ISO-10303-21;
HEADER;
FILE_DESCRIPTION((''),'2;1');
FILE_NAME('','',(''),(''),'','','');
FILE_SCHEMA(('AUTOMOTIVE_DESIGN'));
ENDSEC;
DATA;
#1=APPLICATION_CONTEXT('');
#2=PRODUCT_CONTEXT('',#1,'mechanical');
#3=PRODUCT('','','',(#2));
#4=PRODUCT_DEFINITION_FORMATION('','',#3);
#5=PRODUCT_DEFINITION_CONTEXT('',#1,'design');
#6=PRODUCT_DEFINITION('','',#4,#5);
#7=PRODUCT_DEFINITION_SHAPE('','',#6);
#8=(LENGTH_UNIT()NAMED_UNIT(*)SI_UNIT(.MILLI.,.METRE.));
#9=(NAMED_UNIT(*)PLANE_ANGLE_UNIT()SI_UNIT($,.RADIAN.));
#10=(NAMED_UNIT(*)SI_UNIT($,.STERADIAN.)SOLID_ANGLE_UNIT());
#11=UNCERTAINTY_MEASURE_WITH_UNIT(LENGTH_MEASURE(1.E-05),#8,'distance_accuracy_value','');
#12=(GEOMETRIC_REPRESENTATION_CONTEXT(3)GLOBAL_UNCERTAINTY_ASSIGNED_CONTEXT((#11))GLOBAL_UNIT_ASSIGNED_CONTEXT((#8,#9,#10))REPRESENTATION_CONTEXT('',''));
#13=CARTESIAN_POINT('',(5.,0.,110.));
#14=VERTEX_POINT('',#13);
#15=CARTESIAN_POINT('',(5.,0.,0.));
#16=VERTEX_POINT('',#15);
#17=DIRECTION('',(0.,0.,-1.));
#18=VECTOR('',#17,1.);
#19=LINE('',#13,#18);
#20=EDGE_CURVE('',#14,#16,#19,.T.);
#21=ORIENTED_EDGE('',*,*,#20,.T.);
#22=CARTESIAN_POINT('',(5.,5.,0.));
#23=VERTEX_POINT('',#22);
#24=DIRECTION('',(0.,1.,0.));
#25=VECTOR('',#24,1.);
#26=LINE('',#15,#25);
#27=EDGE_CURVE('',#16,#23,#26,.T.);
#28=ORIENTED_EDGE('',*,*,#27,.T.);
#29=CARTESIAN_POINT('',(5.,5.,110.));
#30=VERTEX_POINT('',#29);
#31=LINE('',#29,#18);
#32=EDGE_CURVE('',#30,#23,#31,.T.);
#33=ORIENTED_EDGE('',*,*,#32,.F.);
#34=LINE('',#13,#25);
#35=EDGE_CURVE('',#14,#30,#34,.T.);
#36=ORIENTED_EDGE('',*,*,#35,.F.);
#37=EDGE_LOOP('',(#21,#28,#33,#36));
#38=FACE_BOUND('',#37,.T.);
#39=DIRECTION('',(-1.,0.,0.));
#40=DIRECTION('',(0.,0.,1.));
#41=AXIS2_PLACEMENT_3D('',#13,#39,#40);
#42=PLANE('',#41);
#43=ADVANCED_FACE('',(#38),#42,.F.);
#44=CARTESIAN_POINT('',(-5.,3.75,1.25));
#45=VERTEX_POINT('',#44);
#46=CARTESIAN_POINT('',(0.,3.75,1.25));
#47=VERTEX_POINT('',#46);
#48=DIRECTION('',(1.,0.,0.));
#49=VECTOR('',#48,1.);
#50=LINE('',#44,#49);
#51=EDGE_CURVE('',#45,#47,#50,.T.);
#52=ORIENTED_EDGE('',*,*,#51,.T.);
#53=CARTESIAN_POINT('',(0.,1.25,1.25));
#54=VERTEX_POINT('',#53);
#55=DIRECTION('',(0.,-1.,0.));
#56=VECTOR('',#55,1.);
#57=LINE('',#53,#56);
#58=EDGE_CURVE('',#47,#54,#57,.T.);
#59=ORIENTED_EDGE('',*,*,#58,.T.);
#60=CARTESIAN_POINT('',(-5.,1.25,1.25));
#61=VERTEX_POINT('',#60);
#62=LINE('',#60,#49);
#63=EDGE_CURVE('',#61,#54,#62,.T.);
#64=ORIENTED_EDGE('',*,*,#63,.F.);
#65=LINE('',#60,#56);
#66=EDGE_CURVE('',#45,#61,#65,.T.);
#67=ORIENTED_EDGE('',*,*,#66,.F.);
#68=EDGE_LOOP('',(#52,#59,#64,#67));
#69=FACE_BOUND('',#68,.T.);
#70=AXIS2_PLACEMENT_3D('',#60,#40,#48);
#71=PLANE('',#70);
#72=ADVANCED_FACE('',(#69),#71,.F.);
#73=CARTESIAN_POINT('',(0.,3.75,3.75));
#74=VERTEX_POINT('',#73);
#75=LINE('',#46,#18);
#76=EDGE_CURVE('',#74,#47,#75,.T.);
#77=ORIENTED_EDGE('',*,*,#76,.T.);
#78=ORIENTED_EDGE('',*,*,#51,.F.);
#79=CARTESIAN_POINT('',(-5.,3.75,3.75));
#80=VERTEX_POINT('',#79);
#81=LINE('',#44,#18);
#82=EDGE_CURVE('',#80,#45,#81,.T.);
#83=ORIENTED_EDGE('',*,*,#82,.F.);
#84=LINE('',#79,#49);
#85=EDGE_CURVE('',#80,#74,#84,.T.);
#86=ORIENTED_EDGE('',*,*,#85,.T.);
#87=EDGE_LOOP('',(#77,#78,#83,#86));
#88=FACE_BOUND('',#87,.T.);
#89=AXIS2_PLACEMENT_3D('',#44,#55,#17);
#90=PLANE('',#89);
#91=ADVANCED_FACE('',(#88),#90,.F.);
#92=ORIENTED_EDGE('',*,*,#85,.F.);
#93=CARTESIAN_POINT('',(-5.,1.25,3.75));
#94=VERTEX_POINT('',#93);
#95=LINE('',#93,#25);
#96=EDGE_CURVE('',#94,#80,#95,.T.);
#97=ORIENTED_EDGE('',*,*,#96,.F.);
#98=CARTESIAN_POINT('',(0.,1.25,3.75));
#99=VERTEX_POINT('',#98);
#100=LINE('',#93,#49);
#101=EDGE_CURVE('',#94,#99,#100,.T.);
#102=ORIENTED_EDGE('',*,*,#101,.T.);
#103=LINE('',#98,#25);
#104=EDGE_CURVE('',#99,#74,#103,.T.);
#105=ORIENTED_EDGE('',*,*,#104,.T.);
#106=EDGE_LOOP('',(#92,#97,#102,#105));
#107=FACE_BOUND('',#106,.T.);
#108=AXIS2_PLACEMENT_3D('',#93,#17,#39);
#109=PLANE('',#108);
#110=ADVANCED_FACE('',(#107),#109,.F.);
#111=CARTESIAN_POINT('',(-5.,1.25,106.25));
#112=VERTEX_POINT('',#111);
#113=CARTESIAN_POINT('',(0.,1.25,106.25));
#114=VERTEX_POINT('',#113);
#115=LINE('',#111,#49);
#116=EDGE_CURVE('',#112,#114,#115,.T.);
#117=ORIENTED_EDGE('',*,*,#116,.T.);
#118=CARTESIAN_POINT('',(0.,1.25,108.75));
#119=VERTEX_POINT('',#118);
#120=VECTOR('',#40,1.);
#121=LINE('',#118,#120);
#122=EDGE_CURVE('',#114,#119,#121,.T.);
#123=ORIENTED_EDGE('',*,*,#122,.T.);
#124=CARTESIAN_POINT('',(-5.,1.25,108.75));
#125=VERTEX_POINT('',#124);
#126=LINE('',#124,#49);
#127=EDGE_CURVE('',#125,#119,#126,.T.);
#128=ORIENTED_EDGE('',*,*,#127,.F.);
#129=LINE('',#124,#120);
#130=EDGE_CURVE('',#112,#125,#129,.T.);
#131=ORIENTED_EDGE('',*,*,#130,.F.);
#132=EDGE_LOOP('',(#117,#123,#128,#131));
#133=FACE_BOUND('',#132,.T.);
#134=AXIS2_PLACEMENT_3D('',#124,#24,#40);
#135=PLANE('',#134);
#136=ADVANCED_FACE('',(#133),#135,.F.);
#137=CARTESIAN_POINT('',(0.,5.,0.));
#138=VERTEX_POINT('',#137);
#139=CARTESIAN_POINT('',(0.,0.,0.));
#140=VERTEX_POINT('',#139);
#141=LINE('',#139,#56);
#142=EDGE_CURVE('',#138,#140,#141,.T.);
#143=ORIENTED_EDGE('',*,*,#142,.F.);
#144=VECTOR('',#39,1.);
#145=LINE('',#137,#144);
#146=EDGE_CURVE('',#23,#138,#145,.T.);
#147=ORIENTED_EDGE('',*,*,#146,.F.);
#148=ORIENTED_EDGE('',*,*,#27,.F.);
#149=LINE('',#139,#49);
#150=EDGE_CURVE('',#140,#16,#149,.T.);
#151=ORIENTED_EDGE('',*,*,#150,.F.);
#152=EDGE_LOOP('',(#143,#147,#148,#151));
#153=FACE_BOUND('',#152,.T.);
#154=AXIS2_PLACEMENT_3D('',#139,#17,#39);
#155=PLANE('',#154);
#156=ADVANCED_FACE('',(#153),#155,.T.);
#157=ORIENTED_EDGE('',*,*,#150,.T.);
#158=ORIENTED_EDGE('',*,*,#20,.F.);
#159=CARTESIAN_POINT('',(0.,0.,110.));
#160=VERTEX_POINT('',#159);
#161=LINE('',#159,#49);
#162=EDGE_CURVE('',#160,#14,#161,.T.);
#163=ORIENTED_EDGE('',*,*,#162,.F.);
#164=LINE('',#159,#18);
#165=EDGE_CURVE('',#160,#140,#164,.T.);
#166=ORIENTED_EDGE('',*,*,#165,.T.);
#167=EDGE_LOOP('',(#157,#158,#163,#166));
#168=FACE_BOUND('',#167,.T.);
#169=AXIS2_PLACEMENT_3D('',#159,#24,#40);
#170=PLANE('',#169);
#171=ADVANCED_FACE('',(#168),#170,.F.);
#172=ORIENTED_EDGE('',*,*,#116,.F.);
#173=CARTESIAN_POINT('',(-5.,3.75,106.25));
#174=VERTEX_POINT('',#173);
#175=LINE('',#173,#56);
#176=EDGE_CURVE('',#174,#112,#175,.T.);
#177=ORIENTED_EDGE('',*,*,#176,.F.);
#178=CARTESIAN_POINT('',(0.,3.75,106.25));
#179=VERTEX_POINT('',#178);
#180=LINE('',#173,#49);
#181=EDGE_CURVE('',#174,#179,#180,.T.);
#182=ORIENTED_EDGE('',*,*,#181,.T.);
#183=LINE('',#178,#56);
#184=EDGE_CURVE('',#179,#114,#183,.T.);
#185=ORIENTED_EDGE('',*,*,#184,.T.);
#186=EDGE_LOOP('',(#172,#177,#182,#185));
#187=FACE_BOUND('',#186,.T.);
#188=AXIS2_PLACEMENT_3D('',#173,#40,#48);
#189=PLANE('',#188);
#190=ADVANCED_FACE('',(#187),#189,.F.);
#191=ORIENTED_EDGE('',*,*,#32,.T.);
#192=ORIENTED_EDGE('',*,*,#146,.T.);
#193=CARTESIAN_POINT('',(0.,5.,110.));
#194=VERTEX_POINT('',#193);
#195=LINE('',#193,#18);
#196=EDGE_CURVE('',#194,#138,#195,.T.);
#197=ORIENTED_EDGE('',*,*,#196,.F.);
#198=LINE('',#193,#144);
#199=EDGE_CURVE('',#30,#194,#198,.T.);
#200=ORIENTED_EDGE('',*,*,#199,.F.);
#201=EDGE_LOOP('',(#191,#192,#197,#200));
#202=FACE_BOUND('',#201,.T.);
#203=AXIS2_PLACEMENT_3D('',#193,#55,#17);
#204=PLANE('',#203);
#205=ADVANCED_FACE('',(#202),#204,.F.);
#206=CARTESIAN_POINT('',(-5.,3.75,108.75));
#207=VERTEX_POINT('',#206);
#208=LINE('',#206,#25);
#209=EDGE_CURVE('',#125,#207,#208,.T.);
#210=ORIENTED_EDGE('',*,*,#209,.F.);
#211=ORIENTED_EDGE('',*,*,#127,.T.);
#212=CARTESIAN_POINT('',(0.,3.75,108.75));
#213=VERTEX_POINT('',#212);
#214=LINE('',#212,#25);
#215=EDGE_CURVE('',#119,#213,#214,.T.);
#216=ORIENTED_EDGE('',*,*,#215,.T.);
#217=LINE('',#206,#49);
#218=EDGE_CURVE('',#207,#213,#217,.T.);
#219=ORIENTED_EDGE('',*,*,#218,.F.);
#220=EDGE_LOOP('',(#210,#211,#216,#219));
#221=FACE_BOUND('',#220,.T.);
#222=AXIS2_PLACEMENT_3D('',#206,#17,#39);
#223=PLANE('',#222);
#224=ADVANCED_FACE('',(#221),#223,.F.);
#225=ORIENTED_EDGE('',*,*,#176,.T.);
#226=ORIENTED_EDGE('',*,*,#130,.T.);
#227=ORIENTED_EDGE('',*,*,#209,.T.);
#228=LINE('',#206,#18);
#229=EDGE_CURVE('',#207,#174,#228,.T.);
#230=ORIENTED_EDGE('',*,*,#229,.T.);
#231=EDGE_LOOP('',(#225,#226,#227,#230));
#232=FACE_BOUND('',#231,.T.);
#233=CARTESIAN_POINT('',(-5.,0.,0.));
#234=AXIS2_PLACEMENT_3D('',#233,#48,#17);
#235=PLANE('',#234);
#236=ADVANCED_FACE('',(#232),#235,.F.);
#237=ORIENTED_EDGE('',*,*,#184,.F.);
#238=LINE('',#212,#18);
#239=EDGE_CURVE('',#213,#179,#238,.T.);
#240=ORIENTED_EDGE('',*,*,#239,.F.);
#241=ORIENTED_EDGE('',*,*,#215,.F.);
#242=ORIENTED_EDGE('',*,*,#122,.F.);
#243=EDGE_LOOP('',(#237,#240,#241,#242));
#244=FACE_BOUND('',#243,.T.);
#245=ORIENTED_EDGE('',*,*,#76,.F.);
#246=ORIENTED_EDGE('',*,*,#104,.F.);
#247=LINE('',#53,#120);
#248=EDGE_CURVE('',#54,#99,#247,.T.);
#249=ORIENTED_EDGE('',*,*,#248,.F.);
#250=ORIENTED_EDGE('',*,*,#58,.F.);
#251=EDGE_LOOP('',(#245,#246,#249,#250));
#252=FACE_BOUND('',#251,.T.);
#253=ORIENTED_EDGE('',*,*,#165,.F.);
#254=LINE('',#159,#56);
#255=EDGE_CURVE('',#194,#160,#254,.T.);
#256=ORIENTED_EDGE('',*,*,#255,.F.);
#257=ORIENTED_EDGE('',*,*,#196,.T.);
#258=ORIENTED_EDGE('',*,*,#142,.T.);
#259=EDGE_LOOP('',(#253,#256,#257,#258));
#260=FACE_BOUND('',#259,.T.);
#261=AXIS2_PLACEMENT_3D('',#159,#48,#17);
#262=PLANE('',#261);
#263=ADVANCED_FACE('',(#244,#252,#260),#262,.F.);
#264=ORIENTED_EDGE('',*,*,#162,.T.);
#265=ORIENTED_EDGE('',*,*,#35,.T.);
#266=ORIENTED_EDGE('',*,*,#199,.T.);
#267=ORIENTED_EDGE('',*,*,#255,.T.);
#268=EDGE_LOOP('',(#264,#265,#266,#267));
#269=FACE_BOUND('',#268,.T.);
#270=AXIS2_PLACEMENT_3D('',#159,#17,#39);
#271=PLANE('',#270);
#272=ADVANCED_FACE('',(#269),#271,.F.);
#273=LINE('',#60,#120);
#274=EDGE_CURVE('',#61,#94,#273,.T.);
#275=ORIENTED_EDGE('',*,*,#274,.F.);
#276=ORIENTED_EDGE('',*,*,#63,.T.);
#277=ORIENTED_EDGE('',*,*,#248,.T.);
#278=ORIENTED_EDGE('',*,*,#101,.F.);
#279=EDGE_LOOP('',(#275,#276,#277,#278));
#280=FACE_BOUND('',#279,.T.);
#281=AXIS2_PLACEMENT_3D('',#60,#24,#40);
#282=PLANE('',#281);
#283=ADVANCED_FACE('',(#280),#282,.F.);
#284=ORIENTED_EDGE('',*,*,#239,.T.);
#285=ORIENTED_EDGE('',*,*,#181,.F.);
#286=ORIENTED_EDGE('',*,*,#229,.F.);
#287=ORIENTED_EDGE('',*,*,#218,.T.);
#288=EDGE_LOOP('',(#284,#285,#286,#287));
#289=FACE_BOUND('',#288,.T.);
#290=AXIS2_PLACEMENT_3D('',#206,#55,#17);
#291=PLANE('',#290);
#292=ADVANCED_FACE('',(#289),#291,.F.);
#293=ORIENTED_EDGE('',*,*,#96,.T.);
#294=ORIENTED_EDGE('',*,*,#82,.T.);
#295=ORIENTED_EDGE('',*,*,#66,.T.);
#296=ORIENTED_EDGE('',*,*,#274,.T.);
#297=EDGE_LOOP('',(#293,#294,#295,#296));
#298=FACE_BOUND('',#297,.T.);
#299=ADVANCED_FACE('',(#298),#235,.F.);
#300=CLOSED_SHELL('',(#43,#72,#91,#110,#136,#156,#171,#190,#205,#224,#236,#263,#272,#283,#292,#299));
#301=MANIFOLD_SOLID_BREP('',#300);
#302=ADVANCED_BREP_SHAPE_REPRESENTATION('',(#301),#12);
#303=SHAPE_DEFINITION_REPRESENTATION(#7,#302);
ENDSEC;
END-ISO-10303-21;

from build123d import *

# Parameters (mm, degrees)
SKETCH1_W           = 5
SKETCH1_H           = 5
BOSS_EXTRUDE1_DEPTH = 110
SKETCH2_W           = 2.5
SKETCH2_H           = 2.5
BOSS_EXTRUDE2_DEPTH = 5


with BuildPart() as part:
    # Sketch1 → Boss-Extrude1 (new body)
    with BuildSketch(Plane.XY):
        with Locations((2.5, 2.5)):
            Rectangle(SKETCH1_W, SKETCH1_H)
    extrude(amount=BOSS_EXTRUDE1_DEPTH)

    # Sketch2 → Boss-Extrude2 (add)
    with BuildSketch(Plane.ZY):
        with Locations((2.5, 2.5)):
            Rectangle(SKETCH2_W, SKETCH2_H)
        with Locations((107.5, 2.5)):
            Rectangle(SKETCH2_W, SKETCH2_H)
    extrude(amount=BOSS_EXTRUDE2_DEPTH)


solid = part.part
